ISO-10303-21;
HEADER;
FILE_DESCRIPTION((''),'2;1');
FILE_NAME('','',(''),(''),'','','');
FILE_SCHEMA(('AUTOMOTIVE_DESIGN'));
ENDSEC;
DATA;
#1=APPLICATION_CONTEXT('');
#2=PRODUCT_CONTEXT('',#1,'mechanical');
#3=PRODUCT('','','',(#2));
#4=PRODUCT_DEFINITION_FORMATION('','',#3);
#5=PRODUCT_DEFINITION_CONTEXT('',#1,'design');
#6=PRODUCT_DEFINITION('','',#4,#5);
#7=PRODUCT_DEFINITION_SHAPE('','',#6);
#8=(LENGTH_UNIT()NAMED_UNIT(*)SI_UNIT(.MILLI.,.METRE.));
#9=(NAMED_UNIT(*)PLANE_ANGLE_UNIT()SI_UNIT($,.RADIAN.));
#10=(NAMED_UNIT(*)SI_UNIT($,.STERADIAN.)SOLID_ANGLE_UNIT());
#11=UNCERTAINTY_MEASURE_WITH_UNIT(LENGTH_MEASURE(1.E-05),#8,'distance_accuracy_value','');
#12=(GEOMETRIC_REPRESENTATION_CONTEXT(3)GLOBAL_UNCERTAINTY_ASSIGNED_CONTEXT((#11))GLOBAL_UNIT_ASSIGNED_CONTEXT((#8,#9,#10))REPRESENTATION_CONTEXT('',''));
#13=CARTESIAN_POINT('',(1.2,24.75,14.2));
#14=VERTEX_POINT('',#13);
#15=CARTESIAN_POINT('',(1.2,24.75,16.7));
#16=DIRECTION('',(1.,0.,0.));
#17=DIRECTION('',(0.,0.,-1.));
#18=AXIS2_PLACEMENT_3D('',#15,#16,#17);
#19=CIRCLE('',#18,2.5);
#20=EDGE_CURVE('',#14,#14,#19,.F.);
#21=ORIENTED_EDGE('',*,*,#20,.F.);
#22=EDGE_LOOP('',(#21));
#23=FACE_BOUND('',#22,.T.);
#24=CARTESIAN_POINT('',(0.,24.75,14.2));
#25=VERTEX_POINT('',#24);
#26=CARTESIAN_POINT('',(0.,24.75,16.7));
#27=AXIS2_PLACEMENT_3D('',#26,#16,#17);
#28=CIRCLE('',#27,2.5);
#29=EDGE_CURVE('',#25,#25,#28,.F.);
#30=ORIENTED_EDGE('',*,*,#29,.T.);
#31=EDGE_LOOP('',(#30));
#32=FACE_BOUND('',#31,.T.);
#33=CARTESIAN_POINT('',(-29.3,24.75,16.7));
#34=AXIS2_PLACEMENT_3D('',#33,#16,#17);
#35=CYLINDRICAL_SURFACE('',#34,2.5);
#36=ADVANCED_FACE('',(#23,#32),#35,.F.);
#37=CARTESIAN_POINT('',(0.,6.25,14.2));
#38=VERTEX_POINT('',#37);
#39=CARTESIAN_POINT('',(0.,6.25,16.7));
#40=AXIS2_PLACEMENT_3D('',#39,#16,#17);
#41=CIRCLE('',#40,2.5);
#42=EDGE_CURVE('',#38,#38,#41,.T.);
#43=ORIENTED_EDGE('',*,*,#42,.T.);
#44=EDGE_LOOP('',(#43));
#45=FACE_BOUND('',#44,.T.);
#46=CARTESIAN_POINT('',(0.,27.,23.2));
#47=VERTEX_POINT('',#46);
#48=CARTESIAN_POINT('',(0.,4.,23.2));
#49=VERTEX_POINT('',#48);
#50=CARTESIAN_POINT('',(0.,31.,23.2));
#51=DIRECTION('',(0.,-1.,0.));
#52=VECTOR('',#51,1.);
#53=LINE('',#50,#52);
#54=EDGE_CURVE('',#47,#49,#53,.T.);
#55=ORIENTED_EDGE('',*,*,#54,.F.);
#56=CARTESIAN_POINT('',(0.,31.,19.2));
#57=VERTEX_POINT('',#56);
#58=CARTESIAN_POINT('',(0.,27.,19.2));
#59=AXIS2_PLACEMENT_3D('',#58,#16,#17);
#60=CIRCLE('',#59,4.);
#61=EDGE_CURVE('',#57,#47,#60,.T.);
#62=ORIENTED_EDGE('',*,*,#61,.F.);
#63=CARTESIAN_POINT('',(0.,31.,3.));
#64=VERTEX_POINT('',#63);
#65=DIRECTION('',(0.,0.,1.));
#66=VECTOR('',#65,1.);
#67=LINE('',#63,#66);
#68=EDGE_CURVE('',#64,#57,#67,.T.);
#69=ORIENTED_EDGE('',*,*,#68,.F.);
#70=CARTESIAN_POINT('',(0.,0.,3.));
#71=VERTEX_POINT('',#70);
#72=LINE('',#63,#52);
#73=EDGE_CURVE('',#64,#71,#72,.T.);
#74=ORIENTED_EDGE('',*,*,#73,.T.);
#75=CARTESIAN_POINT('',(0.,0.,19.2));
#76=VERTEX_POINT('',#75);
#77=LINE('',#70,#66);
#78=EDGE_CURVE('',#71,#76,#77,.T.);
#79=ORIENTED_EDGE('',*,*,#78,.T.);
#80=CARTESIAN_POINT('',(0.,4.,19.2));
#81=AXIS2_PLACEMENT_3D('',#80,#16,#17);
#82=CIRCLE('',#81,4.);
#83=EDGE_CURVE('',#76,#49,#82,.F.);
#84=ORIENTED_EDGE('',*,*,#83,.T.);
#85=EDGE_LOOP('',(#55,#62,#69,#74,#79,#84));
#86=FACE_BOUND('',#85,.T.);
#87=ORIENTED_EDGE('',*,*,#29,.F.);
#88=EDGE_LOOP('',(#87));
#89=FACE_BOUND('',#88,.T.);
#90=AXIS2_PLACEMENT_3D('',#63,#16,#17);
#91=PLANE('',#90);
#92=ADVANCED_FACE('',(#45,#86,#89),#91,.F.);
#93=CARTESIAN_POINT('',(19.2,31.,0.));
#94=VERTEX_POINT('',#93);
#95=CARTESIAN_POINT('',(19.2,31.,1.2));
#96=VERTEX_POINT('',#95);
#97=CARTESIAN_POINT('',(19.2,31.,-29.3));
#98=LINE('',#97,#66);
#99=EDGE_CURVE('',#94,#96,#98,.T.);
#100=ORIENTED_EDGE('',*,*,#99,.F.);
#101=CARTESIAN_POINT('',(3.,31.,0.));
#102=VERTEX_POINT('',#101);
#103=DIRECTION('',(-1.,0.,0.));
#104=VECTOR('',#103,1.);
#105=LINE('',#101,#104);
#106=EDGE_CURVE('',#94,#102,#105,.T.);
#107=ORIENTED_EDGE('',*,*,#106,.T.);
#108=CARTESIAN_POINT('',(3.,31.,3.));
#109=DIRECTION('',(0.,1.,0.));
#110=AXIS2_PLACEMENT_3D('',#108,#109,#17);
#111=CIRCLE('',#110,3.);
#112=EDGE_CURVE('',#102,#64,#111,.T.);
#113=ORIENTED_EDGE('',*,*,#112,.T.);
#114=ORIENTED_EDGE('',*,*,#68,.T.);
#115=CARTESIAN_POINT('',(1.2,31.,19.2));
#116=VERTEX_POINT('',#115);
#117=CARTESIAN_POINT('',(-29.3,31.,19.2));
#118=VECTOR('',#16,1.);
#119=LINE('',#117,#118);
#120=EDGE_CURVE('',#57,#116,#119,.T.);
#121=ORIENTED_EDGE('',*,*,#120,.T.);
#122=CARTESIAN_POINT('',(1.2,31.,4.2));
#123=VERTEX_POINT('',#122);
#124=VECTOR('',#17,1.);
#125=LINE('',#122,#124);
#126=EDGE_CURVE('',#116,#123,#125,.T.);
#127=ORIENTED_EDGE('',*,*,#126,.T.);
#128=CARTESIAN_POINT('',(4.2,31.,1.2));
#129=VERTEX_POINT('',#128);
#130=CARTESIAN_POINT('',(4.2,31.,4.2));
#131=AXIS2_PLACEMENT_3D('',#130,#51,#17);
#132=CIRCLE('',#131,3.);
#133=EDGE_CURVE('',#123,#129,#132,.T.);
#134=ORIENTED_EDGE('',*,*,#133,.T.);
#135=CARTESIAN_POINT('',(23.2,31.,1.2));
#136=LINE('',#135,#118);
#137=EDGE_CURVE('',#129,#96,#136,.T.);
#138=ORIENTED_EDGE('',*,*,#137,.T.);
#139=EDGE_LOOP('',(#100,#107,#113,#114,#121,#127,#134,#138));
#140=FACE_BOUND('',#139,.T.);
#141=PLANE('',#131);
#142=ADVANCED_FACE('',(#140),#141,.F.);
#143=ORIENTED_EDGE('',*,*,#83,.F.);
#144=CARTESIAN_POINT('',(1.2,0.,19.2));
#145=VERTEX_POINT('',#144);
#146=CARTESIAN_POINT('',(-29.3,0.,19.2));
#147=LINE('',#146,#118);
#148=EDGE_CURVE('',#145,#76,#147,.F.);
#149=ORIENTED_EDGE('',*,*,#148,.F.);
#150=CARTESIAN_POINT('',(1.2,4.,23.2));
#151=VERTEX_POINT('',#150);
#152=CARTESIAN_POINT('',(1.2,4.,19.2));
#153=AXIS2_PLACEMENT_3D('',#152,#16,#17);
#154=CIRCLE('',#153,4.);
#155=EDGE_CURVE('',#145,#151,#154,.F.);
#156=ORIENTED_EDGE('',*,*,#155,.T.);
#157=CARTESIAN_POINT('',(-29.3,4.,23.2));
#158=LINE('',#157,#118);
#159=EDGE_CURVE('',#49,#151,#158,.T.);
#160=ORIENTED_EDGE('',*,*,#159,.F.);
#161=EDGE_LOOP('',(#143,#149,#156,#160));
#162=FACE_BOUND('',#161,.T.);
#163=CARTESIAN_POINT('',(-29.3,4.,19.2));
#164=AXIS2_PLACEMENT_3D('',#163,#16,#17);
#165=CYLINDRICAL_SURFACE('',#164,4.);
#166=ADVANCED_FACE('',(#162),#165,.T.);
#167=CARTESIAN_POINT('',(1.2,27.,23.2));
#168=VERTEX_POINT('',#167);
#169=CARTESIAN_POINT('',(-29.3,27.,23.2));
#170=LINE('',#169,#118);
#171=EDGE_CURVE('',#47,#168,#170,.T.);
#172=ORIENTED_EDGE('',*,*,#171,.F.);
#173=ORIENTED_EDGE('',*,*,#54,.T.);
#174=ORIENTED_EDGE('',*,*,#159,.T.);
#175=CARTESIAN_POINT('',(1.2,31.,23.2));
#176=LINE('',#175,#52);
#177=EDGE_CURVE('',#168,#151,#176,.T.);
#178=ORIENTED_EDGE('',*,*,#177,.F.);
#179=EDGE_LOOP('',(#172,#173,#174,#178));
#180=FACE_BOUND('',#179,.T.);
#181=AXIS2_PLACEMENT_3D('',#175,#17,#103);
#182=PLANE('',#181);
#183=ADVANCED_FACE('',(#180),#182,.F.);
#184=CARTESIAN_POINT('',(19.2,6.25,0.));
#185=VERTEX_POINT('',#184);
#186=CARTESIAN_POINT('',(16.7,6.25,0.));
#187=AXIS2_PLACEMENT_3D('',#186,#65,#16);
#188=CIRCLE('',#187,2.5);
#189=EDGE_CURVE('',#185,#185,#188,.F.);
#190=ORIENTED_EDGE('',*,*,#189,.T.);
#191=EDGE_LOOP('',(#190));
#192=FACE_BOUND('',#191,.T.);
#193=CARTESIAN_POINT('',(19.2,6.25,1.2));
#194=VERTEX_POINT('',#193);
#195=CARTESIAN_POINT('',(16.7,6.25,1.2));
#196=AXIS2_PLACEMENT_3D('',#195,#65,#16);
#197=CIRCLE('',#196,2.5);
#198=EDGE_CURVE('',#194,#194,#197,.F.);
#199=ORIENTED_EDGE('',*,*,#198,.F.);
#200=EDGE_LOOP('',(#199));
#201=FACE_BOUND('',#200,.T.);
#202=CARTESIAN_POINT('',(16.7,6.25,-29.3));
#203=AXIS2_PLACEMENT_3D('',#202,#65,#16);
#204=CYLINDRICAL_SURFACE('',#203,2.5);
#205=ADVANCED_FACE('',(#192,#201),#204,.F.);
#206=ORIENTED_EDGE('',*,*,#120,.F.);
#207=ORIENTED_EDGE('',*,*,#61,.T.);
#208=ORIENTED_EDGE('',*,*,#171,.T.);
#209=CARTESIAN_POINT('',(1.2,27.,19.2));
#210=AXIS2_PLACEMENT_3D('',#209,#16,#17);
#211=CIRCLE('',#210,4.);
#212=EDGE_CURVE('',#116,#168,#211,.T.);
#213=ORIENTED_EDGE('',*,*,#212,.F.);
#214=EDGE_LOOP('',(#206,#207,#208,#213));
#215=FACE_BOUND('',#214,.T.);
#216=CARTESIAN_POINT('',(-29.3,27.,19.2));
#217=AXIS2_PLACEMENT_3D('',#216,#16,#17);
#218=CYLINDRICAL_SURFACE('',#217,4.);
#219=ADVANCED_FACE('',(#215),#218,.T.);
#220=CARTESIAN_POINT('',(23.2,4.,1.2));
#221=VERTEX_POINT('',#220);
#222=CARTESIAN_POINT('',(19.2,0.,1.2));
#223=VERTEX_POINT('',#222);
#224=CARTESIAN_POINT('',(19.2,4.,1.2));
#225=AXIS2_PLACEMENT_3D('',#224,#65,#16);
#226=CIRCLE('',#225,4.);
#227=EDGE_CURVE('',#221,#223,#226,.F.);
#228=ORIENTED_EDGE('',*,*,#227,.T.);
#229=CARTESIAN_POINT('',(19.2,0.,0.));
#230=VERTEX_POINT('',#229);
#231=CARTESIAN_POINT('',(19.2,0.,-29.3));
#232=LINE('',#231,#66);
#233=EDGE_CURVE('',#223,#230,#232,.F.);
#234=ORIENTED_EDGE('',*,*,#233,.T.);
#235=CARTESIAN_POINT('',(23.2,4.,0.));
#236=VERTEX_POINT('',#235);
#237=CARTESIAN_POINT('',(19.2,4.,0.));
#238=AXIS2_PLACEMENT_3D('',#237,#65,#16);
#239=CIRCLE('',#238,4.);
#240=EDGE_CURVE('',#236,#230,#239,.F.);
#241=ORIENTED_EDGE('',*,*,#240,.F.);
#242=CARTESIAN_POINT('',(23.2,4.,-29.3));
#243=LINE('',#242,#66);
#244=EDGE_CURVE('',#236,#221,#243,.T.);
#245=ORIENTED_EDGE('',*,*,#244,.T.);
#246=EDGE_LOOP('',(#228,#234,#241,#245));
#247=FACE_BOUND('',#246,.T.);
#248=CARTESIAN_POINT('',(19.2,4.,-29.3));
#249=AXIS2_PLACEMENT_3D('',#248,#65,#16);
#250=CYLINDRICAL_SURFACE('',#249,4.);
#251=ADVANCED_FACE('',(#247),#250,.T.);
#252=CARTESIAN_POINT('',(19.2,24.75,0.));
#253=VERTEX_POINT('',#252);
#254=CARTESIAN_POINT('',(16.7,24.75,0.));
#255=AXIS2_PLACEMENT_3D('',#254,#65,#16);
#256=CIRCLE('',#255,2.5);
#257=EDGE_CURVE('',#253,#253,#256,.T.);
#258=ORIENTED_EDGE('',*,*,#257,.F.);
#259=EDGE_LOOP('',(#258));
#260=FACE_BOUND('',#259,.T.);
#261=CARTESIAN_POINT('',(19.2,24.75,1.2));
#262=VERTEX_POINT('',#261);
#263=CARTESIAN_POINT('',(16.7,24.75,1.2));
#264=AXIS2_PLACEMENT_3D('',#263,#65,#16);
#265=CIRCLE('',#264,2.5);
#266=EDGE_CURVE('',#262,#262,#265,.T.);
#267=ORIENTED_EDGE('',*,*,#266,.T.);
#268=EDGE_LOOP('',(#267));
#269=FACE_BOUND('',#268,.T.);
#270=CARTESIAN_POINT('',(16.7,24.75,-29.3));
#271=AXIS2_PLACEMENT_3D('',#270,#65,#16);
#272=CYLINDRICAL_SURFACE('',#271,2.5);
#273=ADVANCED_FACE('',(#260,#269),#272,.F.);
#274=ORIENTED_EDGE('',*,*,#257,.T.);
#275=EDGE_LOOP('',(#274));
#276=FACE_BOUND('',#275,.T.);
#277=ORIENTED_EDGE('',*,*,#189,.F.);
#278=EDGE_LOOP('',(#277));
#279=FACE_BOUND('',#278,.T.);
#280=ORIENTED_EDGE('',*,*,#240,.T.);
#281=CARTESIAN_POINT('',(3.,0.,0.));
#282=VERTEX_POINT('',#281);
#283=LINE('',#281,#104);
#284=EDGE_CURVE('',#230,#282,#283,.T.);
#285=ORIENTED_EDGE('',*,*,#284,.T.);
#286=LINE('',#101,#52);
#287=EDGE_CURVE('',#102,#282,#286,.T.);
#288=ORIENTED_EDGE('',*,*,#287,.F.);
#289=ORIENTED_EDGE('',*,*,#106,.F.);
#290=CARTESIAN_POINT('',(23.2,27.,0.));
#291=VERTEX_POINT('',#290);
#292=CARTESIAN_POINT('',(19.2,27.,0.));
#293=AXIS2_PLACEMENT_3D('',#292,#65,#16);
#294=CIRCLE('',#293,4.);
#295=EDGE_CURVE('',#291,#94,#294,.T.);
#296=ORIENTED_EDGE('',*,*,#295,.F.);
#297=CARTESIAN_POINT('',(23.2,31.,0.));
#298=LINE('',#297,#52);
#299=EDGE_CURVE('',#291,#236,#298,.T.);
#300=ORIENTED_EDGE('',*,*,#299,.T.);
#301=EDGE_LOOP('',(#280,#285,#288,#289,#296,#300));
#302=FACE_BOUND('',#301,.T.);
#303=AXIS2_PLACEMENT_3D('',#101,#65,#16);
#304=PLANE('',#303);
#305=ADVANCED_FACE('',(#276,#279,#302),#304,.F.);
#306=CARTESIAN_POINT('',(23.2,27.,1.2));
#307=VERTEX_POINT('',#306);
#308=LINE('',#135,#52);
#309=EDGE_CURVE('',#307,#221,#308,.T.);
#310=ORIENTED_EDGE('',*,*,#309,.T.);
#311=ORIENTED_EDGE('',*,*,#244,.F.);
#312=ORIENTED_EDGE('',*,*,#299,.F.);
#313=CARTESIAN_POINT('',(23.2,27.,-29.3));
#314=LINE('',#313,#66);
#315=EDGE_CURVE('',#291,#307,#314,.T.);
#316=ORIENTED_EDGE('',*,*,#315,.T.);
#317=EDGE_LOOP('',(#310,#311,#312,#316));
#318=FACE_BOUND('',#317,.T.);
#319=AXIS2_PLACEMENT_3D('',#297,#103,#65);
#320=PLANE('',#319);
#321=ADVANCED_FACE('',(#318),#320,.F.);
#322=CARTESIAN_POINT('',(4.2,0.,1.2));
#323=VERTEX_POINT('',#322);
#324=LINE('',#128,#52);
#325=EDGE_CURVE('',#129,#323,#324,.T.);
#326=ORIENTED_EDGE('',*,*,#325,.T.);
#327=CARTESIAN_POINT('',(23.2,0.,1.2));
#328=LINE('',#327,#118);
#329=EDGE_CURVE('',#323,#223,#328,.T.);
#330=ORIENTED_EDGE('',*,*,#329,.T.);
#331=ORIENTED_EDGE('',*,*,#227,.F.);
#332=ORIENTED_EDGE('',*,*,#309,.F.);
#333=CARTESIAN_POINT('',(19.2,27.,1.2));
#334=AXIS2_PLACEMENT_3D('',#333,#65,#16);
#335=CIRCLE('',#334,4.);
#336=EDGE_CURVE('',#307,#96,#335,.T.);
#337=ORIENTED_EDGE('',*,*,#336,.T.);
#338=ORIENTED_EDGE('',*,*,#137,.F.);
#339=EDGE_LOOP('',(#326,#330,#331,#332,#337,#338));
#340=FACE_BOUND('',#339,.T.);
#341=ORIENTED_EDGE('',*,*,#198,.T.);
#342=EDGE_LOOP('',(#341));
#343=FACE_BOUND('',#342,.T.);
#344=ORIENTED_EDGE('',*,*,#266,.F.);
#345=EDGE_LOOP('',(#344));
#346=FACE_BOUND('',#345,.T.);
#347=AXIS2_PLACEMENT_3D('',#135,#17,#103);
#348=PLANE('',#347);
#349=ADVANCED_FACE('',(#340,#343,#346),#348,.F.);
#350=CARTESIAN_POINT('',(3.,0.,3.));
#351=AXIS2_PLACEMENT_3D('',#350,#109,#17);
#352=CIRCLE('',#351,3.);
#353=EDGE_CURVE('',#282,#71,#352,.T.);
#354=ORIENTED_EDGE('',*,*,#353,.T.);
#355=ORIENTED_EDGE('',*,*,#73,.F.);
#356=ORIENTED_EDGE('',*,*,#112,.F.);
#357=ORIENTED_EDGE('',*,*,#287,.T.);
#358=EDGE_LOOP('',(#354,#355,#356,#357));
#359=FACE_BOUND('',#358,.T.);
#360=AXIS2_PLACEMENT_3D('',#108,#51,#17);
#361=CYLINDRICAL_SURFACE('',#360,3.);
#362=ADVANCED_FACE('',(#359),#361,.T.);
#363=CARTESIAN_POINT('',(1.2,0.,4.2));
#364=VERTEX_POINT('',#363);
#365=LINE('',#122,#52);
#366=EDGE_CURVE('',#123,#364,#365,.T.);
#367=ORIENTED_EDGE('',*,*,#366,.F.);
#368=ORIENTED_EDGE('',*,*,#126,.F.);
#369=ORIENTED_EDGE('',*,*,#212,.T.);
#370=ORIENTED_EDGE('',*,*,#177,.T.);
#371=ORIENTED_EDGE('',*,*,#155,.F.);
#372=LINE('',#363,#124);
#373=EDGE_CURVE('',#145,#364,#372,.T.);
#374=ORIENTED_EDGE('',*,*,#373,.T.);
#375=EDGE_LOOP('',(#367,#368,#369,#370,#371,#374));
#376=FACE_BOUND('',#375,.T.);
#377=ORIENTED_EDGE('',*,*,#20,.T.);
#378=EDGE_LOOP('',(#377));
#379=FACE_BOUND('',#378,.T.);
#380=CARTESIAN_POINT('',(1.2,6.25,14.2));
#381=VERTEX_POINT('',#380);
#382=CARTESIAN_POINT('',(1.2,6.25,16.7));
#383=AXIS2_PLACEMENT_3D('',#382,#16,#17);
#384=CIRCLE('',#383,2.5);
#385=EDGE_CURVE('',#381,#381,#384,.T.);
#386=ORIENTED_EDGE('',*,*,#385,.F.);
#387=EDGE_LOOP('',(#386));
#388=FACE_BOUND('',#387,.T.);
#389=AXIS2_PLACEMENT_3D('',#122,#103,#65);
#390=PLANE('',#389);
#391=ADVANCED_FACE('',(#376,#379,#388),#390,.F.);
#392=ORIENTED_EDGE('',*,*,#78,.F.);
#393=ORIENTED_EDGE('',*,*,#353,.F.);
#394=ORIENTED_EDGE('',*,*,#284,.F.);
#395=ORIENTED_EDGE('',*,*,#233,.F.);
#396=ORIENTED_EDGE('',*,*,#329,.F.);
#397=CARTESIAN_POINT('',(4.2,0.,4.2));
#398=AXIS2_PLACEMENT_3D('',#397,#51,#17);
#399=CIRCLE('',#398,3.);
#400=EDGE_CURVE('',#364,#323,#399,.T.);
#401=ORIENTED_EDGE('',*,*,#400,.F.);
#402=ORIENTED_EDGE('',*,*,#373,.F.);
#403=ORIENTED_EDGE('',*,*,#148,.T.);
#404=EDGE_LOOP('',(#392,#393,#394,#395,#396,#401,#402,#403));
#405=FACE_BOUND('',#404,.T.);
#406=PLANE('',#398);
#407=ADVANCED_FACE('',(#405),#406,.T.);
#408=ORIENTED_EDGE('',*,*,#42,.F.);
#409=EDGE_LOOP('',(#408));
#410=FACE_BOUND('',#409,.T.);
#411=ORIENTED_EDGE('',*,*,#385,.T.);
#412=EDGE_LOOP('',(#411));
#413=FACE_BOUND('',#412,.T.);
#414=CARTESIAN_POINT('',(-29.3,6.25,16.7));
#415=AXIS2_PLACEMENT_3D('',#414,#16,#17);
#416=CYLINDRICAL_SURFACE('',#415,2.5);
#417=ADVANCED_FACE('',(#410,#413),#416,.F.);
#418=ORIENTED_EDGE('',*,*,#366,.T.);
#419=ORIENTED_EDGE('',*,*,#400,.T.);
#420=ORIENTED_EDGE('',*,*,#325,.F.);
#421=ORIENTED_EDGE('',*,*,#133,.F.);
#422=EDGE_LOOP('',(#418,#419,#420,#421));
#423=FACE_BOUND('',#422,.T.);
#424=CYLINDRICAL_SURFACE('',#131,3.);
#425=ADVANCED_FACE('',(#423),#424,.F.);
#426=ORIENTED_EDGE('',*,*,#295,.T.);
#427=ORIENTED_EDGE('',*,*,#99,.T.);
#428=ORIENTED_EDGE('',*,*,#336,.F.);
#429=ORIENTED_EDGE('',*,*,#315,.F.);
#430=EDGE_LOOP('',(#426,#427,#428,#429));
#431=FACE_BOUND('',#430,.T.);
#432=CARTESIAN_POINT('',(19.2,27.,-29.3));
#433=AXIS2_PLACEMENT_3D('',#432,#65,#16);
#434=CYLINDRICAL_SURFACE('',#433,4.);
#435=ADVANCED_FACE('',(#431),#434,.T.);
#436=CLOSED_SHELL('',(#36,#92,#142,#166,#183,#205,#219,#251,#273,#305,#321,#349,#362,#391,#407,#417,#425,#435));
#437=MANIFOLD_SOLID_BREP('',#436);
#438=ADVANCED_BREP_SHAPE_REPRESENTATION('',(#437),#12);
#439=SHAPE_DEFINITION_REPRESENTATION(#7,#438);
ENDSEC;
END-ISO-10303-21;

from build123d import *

# Parameters (mm, degrees)
EXTRUDE_1_DEPTH     = 31
SKETCH_2_R          = 2.5
CUT_EXTRUDE_1_DEPTH = 30.5
SKETCH_4_R          = 2.5
CUT_EXTRUDE_2_DEPTH = 30.5


with BuildPart() as part:
    # 草图1 → 凸台-拉伸1 (new body)
    with BuildSketch(Plane(origin=(0, 0, 0), x_dir=(1, 0, 0), z_dir=(0, 1, 0))):
        with BuildLine():
            Line((3, 0), (23.2, 0))
            Line((23.2, 0), (23.2, -1.2))
            Line((23.2, -1.2), (4.2, -1.2))
            ThreePointArc((4.2, -1.2), (2.078679656, -2.078679656), (1.2, -4.2))
            Line((1.2, -4.2), (1.2, -23.2))
            Line((1.2, -23.2), (0, -23.2))
            Line((0, -23.2), (0, -3))
            ThreePointArc((0, -3), (0.878679656, -0.878679656), (3, 0))
        make_face()
    extrude(amount=EXTRUDE_1_DEPTH)

    # 草图2 → 切除-拉伸1 (cut)
    with BuildSketch(Plane.XY.offset(1.2)):
        with BuildLine():
            ThreePointArc((19.2, 31), (22.028427125, 29.828427125), (23.2, 27))
            Line((23.2, 27), (23.2, 31))
            Line((23.2, 31), (19.2, 31))
        make_face()
        with Locations((16.7, 24.75)):
            Circle(SKETCH_2_R)
        with BuildLine():
            Line((23.2, 0), (23.2, 4))
            ThreePointArc((23.2, 4), (22.028427125, 1.171572875), (19.2, 0))
            Line((19.2, 0), (23.2, 0))
        make_face()
        with Locations((16.7, 6.25)):
            Circle(SKETCH_2_R)
    extrude(amount=-CUT_EXTRUDE_1_DEPTH, mode=Mode.SUBTRACT)

    # 草图4 → 切除-拉伸2 (cut)
    with BuildSketch(Plane(origin=(1.2, 0, 1), x_dir=(0, 0, -1), z_dir=(1, 0, 0))):
        with Locations((-15.7, 6.25)):
            Circle(SKETCH_4_R)
        with BuildLine():
            ThreePointArc((-18.2, 0), (-21.028427125, 1.171572875), (-22.2, 4))
            Line((-22.2, 4), (-22.2, 0))
            Line((-22.2, 0), (-18.2, 0))
        make_face()
        with BuildLine():
            Line((-22.2, 31), (-22.2, 27))
            ThreePointArc((-22.2, 27), (-21.028427125, 29.828427125), (-18.2, 31))
            Line((-18.2, 31), (-22.2, 31))
        make_face()
        with Locations((-15.7, 24.75)):
            Circle(SKETCH_4_R)
    extrude(amount=-CUT_EXTRUDE_2_DEPTH, mode=Mode.SUBTRACT)


solid = part.part
